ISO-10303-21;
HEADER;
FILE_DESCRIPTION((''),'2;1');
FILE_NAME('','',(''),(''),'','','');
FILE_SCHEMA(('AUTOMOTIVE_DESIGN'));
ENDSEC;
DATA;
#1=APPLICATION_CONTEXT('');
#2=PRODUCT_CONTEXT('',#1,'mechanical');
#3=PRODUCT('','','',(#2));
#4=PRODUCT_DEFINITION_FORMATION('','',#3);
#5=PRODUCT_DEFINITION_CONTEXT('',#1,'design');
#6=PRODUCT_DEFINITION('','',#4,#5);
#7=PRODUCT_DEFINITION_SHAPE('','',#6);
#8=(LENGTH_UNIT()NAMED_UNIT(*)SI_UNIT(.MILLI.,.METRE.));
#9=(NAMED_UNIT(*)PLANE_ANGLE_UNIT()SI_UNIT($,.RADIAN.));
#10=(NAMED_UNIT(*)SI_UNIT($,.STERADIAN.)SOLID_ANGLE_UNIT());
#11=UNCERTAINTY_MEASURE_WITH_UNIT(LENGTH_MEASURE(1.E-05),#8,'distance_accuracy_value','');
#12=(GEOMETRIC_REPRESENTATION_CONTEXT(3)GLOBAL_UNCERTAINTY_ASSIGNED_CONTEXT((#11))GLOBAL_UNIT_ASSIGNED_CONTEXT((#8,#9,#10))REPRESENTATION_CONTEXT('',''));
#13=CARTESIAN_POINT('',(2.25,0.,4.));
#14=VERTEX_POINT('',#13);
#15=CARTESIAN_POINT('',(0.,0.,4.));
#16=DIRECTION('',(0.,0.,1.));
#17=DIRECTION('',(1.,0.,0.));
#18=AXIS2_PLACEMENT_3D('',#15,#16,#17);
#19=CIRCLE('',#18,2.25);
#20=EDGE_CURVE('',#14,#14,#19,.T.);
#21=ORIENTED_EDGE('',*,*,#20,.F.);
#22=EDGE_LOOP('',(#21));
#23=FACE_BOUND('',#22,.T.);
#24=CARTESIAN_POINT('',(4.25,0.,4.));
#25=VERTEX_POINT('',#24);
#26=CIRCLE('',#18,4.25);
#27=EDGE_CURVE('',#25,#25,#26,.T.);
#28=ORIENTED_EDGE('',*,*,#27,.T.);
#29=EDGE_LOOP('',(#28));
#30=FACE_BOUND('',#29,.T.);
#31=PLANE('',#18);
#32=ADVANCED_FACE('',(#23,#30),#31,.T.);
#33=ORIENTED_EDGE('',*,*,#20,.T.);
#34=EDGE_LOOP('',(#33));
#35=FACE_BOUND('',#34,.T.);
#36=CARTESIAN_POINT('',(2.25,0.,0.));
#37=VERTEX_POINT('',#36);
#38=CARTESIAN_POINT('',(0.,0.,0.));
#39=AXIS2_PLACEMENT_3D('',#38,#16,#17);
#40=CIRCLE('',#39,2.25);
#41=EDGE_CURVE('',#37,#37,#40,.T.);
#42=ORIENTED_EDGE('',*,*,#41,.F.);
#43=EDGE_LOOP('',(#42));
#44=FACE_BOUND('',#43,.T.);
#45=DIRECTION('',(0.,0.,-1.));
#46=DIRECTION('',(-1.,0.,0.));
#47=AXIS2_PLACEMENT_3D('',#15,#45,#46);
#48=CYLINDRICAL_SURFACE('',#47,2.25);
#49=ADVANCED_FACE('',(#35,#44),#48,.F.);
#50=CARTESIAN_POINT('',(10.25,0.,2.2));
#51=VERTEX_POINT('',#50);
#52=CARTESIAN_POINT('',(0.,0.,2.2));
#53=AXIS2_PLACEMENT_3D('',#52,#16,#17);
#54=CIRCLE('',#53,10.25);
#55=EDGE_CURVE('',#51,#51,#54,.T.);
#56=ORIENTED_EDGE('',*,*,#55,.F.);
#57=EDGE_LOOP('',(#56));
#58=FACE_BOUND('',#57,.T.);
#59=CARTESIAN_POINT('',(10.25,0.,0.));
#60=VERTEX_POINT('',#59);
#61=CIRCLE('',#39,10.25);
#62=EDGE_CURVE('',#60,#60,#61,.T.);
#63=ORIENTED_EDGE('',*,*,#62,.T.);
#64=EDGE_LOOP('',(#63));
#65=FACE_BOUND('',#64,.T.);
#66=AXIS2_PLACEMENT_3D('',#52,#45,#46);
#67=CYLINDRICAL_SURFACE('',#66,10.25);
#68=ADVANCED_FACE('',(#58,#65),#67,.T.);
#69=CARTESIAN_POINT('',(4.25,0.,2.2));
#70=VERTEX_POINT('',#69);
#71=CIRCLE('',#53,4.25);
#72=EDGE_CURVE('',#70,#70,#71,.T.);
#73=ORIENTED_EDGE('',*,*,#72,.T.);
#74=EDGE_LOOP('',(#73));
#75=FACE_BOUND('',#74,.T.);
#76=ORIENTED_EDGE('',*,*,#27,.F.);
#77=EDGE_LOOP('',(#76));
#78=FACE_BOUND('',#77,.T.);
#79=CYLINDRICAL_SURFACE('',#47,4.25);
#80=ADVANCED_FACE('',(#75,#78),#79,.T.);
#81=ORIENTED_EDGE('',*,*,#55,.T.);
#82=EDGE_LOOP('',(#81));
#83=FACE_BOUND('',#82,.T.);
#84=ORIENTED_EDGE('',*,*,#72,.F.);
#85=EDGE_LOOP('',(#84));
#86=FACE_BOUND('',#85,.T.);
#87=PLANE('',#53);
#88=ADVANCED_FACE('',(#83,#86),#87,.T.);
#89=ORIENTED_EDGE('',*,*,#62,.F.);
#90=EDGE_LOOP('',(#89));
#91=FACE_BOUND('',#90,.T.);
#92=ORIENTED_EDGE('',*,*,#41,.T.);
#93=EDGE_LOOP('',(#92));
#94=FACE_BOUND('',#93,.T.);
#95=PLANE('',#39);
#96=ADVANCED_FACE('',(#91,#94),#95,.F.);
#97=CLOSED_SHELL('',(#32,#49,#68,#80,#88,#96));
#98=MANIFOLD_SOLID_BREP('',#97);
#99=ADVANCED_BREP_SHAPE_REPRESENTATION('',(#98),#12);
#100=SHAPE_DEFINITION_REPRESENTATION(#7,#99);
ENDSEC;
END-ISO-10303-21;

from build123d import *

# Parameters (mm, degrees)
SKETCH1_R           = 10.25
SKETCH1_R_2         = 4.25
BOSS_EXTRUDE1_DEPTH = 2.2
SKETCH1_3_R         = 4.25
SKETCH1_3_R_2       = 2.25
BOSS_EXTRUDE2_DEPTH = 4


with BuildPart() as part:
    # Sketch1 → Boss-Extrude1 (new body)
    with BuildSketch(Plane.XY):
        Circle(SKETCH1_R)
        Circle(SKETCH1_R_2, mode=Mode.SUBTRACT)
    extrude(amount=BOSS_EXTRUDE1_DEPTH)

    # Sketch1<3> → Boss-Extrude2 (add)
    with BuildSketch(Plane.XY):
        Circle(SKETCH1_3_R)
        Circle(SKETCH1_3_R_2, mode=Mode.SUBTRACT)
    extrude(amount=BOSS_EXTRUDE2_DEPTH)


solid = part.part
